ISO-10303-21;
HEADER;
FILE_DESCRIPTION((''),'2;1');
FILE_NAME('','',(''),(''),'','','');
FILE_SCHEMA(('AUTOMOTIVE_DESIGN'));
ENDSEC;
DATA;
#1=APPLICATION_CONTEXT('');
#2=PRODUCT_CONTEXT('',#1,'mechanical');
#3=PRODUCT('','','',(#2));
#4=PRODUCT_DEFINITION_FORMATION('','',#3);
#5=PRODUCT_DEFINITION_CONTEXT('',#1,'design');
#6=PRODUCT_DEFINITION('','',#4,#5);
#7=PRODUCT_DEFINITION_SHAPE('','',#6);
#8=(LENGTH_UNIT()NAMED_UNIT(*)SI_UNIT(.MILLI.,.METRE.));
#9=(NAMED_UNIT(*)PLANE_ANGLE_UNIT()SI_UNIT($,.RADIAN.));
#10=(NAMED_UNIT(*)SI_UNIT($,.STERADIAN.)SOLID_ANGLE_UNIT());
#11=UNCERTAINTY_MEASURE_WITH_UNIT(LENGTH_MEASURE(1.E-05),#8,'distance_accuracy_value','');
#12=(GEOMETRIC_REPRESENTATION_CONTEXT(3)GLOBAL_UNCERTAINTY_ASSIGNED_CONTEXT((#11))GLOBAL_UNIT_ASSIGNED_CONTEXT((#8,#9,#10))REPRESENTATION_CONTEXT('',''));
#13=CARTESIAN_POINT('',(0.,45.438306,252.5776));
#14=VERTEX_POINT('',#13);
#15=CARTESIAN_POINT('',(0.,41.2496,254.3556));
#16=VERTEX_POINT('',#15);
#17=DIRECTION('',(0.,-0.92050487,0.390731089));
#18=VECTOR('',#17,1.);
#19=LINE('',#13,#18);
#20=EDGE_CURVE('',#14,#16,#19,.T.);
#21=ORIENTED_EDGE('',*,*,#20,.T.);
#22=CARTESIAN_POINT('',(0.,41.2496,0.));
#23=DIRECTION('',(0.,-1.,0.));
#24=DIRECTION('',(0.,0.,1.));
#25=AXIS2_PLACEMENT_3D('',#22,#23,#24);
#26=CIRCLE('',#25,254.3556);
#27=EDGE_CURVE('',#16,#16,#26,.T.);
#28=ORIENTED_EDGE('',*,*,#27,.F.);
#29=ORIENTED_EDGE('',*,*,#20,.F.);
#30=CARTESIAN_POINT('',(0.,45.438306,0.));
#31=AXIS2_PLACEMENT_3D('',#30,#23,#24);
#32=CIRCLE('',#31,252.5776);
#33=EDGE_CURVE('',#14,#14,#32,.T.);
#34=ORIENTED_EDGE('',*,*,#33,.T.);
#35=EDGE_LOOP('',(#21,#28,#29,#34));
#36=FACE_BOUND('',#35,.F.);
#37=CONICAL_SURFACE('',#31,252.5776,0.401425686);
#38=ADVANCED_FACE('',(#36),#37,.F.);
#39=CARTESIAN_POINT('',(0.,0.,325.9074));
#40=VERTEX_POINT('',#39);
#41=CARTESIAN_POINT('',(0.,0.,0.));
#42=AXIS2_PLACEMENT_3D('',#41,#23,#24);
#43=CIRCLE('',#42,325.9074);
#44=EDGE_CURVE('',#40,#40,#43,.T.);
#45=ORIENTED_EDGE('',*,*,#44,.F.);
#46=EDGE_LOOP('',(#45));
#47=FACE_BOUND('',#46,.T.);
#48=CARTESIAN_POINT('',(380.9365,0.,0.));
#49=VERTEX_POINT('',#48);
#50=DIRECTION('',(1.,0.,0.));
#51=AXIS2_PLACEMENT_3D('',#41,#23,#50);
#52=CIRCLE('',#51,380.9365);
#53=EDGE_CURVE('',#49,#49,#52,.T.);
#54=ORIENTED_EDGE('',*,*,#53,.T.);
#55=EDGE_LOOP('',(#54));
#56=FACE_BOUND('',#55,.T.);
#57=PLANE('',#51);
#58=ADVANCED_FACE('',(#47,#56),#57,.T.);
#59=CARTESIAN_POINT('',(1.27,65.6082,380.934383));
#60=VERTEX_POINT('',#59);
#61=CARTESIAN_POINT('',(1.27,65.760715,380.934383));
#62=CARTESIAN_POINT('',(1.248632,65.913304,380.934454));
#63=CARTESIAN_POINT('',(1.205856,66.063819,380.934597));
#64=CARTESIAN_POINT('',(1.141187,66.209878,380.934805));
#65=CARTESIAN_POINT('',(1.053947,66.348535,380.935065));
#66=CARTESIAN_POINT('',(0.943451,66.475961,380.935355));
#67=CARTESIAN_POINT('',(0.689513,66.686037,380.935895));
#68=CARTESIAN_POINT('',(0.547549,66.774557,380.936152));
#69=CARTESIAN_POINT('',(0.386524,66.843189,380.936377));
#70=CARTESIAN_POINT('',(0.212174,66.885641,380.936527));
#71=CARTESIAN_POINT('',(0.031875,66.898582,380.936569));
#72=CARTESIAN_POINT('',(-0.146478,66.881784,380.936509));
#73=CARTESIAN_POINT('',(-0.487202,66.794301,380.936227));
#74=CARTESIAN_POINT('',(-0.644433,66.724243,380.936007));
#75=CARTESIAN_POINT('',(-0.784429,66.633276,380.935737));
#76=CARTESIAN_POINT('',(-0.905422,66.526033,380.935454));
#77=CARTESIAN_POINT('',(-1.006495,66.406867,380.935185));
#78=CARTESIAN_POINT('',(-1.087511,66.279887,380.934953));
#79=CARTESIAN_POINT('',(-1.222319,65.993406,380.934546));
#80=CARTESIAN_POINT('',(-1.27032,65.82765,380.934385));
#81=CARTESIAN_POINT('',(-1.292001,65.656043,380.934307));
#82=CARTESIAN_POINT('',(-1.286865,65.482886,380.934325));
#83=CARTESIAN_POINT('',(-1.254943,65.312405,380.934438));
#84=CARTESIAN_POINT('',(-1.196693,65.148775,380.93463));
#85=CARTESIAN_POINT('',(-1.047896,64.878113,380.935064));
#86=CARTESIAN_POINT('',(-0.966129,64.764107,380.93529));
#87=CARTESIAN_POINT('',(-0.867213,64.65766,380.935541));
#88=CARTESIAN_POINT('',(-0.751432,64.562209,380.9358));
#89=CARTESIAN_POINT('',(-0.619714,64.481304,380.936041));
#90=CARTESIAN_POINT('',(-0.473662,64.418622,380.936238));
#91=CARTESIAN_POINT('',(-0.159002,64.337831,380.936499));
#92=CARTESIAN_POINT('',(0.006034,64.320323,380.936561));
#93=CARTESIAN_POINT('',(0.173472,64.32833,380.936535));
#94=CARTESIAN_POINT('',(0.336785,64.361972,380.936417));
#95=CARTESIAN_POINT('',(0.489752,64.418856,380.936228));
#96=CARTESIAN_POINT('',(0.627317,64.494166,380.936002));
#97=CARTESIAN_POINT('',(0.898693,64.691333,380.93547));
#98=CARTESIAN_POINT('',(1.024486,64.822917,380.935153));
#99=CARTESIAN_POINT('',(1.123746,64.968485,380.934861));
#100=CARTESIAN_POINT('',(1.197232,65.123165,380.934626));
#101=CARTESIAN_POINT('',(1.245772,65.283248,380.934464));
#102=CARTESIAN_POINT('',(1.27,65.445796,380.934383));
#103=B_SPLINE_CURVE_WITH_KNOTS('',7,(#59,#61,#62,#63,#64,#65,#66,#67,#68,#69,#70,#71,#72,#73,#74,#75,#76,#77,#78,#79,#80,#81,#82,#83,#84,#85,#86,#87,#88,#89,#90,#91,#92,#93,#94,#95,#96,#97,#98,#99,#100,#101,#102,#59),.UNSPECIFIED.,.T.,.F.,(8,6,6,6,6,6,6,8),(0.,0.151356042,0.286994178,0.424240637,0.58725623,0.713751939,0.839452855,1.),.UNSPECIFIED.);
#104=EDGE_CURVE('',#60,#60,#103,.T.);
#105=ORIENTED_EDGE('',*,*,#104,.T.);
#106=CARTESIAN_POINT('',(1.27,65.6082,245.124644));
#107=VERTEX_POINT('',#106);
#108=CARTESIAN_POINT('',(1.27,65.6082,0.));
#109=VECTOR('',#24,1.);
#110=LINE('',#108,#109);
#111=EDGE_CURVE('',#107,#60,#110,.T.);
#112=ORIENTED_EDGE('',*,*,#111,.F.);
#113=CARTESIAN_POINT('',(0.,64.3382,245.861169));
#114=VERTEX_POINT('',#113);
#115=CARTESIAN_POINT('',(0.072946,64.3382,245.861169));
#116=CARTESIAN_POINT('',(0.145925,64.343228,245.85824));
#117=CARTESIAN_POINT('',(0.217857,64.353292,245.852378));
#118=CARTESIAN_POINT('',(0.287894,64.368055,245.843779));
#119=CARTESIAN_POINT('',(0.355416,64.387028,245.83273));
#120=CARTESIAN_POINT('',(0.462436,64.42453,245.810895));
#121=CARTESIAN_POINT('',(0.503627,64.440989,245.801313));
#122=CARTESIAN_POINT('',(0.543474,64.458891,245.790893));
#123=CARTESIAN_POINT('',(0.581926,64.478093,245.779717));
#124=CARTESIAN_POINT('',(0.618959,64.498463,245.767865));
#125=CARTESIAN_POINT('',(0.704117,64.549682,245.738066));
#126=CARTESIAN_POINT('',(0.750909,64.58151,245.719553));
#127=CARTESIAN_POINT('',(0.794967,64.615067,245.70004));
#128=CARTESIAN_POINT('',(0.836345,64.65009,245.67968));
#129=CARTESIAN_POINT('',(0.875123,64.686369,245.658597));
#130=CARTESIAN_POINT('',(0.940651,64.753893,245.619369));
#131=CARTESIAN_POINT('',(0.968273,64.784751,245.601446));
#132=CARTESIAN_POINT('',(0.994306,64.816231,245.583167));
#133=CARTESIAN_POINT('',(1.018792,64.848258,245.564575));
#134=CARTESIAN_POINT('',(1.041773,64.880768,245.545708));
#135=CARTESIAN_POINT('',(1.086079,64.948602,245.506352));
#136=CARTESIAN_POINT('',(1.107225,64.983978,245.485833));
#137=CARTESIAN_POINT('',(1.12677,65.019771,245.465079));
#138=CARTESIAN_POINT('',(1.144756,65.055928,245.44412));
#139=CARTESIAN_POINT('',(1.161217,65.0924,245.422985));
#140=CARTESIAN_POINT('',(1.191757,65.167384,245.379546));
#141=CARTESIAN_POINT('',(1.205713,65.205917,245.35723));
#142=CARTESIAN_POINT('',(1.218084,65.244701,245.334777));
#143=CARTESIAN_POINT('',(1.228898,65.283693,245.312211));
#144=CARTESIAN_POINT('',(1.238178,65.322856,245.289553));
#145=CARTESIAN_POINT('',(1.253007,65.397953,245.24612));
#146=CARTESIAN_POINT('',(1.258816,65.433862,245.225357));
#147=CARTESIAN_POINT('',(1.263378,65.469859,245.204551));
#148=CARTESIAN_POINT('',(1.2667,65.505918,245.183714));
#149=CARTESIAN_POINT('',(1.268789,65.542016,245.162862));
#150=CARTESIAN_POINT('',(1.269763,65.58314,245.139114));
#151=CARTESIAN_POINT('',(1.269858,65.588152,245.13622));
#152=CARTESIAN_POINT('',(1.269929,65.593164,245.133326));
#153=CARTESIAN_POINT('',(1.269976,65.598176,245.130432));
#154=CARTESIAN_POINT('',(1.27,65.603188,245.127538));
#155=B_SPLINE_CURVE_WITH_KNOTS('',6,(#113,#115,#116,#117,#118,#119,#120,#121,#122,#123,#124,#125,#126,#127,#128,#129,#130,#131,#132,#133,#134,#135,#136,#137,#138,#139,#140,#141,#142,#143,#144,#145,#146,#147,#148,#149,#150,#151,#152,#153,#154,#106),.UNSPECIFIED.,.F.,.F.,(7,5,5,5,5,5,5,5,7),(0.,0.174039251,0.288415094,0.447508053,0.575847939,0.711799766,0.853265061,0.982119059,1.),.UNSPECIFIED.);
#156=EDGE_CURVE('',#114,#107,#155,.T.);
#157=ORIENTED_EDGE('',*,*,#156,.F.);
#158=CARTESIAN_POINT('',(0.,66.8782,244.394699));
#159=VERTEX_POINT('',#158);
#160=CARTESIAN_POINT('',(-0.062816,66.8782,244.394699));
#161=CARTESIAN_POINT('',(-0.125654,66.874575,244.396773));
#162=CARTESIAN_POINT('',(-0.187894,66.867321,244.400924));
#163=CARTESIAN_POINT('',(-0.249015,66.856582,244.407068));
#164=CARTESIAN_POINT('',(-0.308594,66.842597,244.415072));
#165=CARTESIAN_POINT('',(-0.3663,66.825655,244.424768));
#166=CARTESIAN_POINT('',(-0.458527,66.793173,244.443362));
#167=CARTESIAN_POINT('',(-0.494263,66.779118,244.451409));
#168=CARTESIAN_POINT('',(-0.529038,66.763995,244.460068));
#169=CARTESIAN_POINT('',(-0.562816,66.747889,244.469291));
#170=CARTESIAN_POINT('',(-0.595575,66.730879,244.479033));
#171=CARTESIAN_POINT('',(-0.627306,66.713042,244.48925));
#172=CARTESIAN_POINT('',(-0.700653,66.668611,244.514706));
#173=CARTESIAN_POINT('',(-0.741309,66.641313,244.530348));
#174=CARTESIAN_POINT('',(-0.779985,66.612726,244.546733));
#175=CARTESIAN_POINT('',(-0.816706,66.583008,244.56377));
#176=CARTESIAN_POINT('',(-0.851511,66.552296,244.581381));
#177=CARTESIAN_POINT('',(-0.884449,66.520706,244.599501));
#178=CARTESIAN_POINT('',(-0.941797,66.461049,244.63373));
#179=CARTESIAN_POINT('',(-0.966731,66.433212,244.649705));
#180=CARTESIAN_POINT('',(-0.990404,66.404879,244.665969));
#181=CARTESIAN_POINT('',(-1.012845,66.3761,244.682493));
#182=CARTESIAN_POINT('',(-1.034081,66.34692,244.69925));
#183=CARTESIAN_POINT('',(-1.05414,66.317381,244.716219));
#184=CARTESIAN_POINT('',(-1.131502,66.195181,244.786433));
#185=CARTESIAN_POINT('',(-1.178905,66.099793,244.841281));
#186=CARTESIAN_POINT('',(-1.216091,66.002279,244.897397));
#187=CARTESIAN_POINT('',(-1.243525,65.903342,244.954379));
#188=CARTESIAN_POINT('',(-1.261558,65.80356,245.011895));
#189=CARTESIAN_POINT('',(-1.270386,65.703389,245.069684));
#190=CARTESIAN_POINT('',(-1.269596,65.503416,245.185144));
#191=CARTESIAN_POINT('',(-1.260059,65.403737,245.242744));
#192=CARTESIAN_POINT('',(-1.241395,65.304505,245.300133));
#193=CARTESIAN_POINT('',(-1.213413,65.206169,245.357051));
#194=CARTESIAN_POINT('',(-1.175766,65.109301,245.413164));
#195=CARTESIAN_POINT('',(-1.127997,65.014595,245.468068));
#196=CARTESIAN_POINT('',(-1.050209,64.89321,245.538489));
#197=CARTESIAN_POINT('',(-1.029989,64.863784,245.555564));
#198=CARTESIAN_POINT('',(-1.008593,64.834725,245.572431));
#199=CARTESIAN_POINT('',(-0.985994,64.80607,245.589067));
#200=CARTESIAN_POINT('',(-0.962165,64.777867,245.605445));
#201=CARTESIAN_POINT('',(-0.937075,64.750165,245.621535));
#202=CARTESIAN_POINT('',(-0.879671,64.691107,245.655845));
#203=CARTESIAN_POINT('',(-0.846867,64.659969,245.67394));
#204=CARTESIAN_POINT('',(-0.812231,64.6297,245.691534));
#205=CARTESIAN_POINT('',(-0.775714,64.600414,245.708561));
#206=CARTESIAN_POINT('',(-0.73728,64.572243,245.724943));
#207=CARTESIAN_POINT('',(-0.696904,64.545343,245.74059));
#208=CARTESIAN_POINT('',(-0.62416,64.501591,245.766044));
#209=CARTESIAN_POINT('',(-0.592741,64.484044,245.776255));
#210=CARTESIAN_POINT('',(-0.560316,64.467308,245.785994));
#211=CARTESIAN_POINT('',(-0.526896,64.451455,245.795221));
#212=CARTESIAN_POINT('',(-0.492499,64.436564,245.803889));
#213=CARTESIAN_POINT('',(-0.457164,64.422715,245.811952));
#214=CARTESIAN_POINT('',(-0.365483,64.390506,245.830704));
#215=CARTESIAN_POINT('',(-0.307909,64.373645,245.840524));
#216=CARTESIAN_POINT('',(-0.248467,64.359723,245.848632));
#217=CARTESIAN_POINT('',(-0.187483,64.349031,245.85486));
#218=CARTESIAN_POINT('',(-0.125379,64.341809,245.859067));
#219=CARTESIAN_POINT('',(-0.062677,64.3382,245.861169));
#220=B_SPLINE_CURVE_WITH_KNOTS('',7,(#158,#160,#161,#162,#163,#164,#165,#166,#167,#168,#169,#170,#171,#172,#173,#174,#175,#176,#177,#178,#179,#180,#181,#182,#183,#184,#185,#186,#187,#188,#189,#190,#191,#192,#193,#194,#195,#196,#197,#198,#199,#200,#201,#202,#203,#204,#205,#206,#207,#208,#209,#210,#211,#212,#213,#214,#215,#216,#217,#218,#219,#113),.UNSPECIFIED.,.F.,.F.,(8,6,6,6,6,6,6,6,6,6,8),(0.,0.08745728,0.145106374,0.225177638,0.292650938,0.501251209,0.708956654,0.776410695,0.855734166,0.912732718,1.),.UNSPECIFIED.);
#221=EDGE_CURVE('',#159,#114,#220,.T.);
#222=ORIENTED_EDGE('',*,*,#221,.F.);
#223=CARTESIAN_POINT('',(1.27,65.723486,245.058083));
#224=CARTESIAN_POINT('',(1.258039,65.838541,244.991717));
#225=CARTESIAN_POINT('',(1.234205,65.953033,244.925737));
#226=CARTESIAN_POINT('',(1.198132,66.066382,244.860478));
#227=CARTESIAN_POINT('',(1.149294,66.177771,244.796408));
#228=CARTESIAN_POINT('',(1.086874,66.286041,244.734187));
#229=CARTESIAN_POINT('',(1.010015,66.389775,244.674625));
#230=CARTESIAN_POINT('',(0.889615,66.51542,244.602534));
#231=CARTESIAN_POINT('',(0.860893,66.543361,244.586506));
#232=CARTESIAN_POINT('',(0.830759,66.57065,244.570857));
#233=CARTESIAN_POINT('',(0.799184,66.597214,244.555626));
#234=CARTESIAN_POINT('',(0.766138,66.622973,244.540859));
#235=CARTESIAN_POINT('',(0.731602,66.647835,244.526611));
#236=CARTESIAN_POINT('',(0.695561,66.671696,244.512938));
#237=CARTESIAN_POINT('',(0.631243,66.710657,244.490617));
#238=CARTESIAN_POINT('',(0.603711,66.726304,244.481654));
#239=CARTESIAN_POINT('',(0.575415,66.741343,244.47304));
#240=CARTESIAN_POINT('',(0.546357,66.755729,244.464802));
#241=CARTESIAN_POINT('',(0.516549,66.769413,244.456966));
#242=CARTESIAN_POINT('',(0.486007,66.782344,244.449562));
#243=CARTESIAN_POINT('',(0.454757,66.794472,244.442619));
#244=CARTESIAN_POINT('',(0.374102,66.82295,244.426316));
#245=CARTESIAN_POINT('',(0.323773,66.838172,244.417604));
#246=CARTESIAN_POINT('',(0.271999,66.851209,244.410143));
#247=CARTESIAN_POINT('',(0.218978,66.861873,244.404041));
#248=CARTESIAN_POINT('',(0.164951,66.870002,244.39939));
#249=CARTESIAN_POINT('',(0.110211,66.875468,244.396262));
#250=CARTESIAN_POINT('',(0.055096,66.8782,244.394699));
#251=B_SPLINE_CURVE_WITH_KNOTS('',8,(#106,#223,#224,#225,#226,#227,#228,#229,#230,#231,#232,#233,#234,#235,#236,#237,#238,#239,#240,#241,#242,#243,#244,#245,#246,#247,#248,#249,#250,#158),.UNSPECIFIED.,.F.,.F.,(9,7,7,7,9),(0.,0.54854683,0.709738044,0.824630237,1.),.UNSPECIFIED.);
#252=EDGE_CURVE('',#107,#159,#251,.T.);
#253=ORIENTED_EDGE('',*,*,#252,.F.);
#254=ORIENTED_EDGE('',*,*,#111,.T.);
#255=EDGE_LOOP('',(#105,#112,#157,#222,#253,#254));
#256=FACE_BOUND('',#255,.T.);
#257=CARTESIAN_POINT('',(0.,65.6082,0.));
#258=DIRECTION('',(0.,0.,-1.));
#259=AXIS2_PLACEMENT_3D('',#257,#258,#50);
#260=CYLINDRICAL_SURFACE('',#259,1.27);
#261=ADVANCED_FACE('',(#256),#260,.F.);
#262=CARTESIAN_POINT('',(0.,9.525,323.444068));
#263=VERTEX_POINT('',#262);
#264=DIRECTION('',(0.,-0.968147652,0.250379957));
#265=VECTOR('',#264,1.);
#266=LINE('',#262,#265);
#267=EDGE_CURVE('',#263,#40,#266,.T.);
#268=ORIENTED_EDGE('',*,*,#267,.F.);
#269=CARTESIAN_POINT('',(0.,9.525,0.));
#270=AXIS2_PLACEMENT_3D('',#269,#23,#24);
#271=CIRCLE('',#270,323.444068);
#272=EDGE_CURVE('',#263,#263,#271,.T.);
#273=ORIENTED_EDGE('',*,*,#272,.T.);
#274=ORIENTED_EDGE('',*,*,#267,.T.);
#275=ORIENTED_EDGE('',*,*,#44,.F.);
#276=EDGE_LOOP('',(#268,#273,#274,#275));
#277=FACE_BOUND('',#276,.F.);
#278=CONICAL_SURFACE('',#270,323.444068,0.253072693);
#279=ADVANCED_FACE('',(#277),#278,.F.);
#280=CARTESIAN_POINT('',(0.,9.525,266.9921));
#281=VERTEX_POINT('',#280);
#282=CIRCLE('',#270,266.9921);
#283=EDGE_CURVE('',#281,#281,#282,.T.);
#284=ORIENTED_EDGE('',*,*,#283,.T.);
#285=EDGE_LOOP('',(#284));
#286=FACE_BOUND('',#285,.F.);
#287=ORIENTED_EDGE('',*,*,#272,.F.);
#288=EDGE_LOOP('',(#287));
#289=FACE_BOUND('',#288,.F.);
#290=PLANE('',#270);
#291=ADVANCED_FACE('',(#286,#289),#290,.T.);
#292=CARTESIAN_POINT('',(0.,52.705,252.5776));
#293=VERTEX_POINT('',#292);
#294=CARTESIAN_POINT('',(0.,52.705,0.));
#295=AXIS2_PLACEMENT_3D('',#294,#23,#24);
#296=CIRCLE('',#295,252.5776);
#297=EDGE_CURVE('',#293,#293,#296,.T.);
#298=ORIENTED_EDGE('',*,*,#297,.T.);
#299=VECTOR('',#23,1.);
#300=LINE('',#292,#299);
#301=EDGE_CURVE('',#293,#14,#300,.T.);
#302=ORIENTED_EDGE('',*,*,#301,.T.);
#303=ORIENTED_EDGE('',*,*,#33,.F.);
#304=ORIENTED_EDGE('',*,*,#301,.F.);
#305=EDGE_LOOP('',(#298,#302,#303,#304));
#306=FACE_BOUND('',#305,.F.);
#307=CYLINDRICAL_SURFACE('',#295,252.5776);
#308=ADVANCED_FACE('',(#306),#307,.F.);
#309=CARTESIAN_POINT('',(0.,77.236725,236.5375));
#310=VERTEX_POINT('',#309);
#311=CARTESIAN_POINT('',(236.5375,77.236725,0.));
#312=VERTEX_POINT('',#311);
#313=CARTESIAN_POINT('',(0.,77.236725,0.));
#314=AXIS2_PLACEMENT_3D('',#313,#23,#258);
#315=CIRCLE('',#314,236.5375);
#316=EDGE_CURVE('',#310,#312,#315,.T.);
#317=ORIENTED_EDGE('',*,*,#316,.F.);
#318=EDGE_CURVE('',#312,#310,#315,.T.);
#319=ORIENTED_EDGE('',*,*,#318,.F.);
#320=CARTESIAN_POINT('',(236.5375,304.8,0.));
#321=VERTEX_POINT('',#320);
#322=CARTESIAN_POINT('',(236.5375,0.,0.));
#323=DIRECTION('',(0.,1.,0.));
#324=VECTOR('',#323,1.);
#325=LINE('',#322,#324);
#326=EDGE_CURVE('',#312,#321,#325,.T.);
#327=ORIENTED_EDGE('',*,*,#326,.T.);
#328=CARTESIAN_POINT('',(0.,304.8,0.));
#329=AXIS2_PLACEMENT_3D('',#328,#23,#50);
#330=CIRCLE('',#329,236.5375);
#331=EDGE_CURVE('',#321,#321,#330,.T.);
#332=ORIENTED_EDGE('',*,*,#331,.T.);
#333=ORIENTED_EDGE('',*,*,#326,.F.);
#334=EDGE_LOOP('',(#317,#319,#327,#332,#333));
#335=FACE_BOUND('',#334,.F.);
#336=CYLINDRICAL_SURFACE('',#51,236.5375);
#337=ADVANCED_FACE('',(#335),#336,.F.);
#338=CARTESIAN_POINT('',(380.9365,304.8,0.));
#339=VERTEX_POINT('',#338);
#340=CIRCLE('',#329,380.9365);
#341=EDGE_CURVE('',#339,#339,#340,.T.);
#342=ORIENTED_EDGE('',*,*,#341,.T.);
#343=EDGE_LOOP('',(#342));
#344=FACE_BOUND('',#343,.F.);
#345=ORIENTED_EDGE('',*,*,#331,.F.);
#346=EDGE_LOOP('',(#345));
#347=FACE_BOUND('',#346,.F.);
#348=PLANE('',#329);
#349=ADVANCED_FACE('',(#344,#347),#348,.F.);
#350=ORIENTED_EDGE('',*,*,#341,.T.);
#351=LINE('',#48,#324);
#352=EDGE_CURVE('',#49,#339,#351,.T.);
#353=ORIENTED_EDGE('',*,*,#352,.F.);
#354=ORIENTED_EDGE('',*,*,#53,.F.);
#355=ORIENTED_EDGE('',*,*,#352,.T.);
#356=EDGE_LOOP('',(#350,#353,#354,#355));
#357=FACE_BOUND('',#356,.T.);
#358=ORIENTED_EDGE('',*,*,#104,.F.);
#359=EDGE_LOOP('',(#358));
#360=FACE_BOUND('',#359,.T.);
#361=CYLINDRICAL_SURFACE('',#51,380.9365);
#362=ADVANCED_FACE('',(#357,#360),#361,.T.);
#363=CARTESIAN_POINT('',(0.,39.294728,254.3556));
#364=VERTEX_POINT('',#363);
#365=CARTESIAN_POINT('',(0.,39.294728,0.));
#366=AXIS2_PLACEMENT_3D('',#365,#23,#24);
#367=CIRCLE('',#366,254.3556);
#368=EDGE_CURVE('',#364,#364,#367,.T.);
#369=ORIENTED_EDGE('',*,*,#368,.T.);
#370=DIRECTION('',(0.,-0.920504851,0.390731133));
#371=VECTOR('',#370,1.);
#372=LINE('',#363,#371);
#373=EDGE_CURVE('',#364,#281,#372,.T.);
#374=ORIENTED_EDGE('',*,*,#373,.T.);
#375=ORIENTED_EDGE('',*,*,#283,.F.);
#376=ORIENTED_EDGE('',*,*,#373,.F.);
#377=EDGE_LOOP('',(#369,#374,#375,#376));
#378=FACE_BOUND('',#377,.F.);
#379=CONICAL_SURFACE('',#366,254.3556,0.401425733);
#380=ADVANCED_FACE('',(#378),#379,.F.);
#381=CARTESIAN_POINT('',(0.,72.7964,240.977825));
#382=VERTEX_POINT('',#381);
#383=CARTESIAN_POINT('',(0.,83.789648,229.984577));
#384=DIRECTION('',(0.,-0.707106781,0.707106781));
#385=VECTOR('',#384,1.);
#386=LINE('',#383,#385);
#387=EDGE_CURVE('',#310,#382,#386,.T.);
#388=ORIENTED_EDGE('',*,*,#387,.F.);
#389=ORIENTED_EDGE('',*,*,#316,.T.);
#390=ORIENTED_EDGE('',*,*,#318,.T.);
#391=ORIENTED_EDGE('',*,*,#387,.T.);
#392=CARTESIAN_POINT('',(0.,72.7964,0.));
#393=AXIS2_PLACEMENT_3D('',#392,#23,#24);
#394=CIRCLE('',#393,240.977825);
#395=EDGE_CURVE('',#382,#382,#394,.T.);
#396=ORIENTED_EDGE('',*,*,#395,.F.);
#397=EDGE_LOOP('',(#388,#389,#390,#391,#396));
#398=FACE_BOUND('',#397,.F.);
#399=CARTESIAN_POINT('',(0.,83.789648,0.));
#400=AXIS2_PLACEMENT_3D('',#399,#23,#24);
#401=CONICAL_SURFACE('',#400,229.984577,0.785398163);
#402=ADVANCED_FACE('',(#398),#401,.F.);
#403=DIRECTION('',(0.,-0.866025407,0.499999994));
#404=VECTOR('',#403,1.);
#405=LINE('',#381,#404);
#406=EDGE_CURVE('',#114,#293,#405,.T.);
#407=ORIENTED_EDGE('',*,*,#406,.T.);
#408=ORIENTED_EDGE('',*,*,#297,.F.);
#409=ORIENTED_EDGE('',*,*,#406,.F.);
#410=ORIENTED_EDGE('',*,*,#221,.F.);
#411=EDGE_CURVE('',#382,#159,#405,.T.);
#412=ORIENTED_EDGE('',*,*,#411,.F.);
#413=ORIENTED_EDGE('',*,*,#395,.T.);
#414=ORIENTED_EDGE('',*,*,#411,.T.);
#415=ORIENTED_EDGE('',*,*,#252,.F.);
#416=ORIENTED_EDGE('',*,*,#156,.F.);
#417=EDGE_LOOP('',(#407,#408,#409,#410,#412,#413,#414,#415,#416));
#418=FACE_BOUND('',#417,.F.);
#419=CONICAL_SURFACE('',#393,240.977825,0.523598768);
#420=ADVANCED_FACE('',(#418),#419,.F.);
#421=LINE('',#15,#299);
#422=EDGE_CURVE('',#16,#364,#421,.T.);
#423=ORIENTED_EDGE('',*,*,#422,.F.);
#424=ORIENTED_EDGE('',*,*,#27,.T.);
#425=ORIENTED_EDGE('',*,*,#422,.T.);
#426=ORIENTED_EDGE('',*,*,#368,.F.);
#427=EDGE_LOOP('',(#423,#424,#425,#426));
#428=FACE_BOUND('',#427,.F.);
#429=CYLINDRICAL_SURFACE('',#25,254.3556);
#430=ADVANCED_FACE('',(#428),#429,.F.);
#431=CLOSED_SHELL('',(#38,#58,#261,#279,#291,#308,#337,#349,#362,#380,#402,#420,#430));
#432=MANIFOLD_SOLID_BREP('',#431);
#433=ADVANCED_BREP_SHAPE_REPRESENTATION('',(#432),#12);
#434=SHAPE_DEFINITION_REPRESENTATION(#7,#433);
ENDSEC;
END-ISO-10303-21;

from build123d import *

# Parameters (mm, degrees)
F0_R     = 380.9365
F0_R_2   = 236.5375
F1_DEPTH = 304.8
F6_R     = 1.27
F7_DEPTH = 380.9375


with BuildPart() as f1:
    # F0 (on Front) → F1 (new body)
    with BuildSketch(Plane.XZ):
        Circle(F0_R)
        Circle(F0_R_2, mode=Mode.SUBTRACT)
    extrude(amount=-F1_DEPTH)

    # F2 (on Right) → F3 (revolve, cut)
    with BuildSketch(Plane.YZ):
        Polygon((-0.674657, 0), (0, 0), (9.525, 0), (9.525, 323.444068), (0, 325.9074), (-38.13795, 325.9074), align=None)
    revolve(axis=Axis((0, -111.905819, 0), (0, -1, 0)), mode=Mode.SUBTRACT)

    # F4 (on Right) → F5 (revolve, cut)
    with BuildSketch(Plane.YZ):
        Polygon((39.294728, 254.3556), (9.525, 266.9921), (-83.954796, 266.9921), (-48.076838, 187.997639), (83.789648, 229.984577), (72.7964, 240.977825), (52.705, 252.5776), (45.438306, 252.5776), (41.2496, 254.3556), align=None)
    revolve(axis=Axis((0, 0, 0), (0, -1, 0)), mode=Mode.SUBTRACT)

    # F6 (on Top) → F7 (cut, through all)
    with BuildSketch(Plane.XY):
        with Locations((0, 65.6082)):
            Circle(F6_R)
    extrude(amount=F7_DEPTH, mode=Mode.SUBTRACT)


solid = f1.part
